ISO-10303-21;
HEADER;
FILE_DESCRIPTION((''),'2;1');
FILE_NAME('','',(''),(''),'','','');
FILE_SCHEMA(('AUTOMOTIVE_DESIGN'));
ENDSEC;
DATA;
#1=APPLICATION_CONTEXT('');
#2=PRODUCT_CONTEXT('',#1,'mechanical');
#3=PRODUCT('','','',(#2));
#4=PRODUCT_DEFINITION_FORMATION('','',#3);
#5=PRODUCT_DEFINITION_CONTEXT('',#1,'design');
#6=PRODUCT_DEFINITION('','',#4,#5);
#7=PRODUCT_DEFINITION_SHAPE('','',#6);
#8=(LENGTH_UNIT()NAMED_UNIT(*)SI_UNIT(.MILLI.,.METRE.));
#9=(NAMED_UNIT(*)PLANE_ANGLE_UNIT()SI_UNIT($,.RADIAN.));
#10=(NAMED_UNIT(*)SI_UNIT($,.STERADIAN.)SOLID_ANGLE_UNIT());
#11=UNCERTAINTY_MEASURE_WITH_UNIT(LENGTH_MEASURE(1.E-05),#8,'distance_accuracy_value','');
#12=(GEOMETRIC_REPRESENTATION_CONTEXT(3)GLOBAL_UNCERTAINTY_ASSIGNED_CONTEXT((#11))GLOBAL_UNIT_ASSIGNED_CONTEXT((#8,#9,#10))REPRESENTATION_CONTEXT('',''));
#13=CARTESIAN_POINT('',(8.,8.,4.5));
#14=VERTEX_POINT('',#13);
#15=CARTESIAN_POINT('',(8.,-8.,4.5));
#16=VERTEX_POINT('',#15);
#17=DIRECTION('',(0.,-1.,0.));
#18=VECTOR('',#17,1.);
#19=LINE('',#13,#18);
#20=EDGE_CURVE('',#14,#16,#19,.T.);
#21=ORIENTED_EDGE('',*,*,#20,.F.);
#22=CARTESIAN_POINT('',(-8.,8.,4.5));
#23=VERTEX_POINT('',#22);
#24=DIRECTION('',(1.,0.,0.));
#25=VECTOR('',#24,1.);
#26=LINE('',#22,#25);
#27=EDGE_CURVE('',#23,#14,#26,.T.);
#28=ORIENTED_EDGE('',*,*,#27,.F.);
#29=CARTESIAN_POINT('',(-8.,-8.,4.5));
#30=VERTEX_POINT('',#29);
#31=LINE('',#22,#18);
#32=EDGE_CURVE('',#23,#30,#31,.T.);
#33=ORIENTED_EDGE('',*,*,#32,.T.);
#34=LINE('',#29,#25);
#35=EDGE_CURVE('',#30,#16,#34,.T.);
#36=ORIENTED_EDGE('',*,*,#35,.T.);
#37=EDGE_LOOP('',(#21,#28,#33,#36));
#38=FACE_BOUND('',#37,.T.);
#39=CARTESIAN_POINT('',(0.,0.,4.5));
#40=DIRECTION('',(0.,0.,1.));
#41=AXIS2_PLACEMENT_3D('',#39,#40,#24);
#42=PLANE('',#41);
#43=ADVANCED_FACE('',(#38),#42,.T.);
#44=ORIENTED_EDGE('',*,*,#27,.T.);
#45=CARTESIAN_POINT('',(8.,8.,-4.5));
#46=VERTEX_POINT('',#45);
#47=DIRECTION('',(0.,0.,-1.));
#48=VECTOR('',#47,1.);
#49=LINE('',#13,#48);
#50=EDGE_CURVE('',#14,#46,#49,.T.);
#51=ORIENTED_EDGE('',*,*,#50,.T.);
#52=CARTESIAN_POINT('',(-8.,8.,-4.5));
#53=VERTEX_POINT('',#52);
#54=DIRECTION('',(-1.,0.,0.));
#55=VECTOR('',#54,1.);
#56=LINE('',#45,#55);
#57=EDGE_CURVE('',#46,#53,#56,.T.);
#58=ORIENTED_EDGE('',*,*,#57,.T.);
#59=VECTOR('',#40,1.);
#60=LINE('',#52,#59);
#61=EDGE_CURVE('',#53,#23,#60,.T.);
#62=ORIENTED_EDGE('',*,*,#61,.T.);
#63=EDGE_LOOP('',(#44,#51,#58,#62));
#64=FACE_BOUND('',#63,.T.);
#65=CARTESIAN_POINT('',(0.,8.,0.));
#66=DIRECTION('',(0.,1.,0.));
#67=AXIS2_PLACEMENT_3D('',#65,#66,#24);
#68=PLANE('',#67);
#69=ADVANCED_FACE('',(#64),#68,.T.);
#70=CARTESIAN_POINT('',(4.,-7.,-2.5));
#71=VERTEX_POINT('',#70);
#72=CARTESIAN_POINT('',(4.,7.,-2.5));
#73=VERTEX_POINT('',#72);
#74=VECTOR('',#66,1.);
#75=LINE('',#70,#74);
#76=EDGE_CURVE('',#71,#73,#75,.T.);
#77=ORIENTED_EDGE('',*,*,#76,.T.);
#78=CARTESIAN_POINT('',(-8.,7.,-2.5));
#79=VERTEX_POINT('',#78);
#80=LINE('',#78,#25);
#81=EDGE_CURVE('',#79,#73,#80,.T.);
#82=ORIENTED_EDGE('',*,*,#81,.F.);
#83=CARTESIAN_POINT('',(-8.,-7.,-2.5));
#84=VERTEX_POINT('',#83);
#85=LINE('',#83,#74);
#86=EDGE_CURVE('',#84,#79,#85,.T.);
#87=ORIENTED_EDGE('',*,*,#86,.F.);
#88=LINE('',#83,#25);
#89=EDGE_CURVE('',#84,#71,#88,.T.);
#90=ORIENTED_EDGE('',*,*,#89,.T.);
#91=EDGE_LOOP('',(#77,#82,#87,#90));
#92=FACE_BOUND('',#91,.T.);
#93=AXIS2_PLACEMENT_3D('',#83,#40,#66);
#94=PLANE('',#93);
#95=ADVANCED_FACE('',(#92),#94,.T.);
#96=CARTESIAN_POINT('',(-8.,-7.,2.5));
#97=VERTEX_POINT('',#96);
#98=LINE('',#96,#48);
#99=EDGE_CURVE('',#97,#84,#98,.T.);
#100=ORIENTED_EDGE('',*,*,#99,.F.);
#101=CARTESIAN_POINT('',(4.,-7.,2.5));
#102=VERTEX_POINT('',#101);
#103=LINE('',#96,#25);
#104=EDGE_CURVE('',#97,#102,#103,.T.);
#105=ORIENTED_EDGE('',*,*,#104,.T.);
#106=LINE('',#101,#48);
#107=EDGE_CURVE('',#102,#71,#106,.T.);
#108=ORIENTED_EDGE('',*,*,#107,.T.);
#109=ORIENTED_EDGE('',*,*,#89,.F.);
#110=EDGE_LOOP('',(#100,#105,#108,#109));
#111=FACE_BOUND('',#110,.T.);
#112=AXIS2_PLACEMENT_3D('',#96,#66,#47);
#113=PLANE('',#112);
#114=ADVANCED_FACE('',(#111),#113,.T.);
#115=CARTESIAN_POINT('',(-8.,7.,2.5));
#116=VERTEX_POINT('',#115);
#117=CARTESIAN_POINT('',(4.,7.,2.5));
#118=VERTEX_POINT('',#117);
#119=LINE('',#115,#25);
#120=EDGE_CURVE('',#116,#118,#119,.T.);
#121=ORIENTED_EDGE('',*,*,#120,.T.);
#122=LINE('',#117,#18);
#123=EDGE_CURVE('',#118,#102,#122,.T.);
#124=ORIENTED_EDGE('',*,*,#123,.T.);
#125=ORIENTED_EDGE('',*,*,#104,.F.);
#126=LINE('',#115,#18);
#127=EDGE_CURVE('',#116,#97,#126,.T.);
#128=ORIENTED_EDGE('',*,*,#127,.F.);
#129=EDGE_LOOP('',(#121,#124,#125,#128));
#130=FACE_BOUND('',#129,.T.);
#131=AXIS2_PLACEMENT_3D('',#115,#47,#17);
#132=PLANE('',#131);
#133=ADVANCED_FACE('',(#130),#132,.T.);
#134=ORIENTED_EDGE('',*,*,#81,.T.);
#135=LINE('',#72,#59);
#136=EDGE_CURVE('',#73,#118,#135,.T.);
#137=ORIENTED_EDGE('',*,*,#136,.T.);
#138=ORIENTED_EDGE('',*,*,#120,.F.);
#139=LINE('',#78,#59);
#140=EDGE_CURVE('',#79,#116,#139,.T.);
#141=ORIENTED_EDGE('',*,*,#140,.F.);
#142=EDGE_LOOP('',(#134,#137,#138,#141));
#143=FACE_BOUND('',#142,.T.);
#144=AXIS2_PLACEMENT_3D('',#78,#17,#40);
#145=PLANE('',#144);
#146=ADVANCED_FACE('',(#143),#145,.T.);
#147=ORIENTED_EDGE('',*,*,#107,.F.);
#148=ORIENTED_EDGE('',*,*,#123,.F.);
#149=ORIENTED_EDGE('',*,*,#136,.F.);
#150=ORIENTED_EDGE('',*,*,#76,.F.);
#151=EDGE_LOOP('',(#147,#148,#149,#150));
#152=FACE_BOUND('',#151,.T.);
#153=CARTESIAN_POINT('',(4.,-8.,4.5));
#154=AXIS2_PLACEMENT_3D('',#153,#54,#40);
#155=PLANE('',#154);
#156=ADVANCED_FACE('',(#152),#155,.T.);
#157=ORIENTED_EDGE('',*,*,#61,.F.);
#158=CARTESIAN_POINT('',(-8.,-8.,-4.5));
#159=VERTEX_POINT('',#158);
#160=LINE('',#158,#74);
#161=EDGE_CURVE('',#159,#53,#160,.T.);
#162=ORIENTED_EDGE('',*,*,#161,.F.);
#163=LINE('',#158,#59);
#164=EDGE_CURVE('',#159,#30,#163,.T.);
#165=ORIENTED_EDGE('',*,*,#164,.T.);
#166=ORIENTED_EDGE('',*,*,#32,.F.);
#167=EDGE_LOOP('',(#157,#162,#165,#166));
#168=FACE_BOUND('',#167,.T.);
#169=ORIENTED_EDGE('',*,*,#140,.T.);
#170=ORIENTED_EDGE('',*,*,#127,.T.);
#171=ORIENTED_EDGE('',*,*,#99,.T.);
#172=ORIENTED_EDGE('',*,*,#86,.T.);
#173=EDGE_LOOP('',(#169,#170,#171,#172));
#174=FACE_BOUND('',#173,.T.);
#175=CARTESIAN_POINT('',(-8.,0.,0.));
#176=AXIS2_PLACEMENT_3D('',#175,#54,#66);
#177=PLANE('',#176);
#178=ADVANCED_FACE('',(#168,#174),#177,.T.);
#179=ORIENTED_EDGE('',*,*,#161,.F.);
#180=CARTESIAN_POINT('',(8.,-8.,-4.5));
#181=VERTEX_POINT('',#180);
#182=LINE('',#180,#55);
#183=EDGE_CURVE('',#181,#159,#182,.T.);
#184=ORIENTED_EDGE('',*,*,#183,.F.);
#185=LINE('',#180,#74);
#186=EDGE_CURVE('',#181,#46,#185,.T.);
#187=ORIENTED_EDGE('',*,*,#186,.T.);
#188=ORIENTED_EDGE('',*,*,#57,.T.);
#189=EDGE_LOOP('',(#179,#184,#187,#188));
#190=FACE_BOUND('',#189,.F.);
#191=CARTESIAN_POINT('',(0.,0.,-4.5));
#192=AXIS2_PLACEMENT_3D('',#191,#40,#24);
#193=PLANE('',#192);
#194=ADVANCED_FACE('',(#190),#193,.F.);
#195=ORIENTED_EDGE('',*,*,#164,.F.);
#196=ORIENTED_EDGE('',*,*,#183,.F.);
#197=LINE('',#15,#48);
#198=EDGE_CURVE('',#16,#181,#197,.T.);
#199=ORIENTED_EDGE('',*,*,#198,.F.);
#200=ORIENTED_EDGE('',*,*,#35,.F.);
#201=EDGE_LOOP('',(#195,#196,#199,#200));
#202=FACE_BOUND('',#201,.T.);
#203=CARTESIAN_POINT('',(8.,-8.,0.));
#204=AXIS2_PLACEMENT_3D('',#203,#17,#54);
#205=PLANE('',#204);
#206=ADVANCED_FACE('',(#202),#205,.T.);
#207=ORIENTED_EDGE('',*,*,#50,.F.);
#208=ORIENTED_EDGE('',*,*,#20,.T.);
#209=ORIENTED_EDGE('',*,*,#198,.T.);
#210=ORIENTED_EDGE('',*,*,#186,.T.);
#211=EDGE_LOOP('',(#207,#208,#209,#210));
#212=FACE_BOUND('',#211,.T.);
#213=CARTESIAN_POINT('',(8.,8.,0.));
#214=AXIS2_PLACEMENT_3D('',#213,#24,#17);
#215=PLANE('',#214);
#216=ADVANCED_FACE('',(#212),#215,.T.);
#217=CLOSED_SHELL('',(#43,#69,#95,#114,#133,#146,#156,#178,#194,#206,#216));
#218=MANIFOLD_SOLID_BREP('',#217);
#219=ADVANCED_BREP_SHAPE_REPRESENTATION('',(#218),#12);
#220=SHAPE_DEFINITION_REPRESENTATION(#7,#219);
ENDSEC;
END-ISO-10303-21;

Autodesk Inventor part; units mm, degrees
ref_plane "YZ Plane" through (0, 0, 0) normal (1, 0, 0) x (0, 1, 0)
ref_plane "XZ Plane" through (0, 0, 0) normal (0, 1, 0) x (-1, 0, 0)
ref_plane "XY Plane" through (0, 0, 0) normal (0, 0, 1) x (1, 0, 0)
sketch "Sketch1" plane through (0, 0, 0) normal (0, 0, 1) x (1, 0, 0)
  line L0 (0, 11.2) -> (0, -11.2) projected
  line L1 (-11.2, 0) -> (11.2, 0) projected
  line L2 (-8, 8) -> (8, 8)
  line L3 (8, 8) -> (8, -8)
  line L4 (8, -8) -> (-8, -8)
  line L5 (-8, -8) -> (-8, 8)
  dimension "d0" = 16
  dimension "d1" = 16
extrude "BLOK" add sketch "Sketch1" along normal mid plane 9
sketch "Sketch3" plane through (-8, -8, 4.5) normal (-1, 0, 0) x (0, 0, 1)
  line L0 (0, 0) -> (-9, 0) projected
  line L1 (-9, 16) -> (0, 16) projected
  line L2 (-9, 0) -> (-9, 16) projected
  line L3 (-7, 15) -> (-2, 15)
  line L4 (-2, 15) -> (-2, 1)
  line L5 (-2, 1) -> (-7, 1)
  line L6 (-7, 1) -> (-7, 15)
  point P0 (-4.5, 8)
  dimension "d21" = 2
  dimension "d22" = 1
  dimension "d23" = 1
  dimension "d24" = 5
extrude "USBGAT" cut sketch "Sketch3" against normal blind 12
properties part number "USB_Cap"
